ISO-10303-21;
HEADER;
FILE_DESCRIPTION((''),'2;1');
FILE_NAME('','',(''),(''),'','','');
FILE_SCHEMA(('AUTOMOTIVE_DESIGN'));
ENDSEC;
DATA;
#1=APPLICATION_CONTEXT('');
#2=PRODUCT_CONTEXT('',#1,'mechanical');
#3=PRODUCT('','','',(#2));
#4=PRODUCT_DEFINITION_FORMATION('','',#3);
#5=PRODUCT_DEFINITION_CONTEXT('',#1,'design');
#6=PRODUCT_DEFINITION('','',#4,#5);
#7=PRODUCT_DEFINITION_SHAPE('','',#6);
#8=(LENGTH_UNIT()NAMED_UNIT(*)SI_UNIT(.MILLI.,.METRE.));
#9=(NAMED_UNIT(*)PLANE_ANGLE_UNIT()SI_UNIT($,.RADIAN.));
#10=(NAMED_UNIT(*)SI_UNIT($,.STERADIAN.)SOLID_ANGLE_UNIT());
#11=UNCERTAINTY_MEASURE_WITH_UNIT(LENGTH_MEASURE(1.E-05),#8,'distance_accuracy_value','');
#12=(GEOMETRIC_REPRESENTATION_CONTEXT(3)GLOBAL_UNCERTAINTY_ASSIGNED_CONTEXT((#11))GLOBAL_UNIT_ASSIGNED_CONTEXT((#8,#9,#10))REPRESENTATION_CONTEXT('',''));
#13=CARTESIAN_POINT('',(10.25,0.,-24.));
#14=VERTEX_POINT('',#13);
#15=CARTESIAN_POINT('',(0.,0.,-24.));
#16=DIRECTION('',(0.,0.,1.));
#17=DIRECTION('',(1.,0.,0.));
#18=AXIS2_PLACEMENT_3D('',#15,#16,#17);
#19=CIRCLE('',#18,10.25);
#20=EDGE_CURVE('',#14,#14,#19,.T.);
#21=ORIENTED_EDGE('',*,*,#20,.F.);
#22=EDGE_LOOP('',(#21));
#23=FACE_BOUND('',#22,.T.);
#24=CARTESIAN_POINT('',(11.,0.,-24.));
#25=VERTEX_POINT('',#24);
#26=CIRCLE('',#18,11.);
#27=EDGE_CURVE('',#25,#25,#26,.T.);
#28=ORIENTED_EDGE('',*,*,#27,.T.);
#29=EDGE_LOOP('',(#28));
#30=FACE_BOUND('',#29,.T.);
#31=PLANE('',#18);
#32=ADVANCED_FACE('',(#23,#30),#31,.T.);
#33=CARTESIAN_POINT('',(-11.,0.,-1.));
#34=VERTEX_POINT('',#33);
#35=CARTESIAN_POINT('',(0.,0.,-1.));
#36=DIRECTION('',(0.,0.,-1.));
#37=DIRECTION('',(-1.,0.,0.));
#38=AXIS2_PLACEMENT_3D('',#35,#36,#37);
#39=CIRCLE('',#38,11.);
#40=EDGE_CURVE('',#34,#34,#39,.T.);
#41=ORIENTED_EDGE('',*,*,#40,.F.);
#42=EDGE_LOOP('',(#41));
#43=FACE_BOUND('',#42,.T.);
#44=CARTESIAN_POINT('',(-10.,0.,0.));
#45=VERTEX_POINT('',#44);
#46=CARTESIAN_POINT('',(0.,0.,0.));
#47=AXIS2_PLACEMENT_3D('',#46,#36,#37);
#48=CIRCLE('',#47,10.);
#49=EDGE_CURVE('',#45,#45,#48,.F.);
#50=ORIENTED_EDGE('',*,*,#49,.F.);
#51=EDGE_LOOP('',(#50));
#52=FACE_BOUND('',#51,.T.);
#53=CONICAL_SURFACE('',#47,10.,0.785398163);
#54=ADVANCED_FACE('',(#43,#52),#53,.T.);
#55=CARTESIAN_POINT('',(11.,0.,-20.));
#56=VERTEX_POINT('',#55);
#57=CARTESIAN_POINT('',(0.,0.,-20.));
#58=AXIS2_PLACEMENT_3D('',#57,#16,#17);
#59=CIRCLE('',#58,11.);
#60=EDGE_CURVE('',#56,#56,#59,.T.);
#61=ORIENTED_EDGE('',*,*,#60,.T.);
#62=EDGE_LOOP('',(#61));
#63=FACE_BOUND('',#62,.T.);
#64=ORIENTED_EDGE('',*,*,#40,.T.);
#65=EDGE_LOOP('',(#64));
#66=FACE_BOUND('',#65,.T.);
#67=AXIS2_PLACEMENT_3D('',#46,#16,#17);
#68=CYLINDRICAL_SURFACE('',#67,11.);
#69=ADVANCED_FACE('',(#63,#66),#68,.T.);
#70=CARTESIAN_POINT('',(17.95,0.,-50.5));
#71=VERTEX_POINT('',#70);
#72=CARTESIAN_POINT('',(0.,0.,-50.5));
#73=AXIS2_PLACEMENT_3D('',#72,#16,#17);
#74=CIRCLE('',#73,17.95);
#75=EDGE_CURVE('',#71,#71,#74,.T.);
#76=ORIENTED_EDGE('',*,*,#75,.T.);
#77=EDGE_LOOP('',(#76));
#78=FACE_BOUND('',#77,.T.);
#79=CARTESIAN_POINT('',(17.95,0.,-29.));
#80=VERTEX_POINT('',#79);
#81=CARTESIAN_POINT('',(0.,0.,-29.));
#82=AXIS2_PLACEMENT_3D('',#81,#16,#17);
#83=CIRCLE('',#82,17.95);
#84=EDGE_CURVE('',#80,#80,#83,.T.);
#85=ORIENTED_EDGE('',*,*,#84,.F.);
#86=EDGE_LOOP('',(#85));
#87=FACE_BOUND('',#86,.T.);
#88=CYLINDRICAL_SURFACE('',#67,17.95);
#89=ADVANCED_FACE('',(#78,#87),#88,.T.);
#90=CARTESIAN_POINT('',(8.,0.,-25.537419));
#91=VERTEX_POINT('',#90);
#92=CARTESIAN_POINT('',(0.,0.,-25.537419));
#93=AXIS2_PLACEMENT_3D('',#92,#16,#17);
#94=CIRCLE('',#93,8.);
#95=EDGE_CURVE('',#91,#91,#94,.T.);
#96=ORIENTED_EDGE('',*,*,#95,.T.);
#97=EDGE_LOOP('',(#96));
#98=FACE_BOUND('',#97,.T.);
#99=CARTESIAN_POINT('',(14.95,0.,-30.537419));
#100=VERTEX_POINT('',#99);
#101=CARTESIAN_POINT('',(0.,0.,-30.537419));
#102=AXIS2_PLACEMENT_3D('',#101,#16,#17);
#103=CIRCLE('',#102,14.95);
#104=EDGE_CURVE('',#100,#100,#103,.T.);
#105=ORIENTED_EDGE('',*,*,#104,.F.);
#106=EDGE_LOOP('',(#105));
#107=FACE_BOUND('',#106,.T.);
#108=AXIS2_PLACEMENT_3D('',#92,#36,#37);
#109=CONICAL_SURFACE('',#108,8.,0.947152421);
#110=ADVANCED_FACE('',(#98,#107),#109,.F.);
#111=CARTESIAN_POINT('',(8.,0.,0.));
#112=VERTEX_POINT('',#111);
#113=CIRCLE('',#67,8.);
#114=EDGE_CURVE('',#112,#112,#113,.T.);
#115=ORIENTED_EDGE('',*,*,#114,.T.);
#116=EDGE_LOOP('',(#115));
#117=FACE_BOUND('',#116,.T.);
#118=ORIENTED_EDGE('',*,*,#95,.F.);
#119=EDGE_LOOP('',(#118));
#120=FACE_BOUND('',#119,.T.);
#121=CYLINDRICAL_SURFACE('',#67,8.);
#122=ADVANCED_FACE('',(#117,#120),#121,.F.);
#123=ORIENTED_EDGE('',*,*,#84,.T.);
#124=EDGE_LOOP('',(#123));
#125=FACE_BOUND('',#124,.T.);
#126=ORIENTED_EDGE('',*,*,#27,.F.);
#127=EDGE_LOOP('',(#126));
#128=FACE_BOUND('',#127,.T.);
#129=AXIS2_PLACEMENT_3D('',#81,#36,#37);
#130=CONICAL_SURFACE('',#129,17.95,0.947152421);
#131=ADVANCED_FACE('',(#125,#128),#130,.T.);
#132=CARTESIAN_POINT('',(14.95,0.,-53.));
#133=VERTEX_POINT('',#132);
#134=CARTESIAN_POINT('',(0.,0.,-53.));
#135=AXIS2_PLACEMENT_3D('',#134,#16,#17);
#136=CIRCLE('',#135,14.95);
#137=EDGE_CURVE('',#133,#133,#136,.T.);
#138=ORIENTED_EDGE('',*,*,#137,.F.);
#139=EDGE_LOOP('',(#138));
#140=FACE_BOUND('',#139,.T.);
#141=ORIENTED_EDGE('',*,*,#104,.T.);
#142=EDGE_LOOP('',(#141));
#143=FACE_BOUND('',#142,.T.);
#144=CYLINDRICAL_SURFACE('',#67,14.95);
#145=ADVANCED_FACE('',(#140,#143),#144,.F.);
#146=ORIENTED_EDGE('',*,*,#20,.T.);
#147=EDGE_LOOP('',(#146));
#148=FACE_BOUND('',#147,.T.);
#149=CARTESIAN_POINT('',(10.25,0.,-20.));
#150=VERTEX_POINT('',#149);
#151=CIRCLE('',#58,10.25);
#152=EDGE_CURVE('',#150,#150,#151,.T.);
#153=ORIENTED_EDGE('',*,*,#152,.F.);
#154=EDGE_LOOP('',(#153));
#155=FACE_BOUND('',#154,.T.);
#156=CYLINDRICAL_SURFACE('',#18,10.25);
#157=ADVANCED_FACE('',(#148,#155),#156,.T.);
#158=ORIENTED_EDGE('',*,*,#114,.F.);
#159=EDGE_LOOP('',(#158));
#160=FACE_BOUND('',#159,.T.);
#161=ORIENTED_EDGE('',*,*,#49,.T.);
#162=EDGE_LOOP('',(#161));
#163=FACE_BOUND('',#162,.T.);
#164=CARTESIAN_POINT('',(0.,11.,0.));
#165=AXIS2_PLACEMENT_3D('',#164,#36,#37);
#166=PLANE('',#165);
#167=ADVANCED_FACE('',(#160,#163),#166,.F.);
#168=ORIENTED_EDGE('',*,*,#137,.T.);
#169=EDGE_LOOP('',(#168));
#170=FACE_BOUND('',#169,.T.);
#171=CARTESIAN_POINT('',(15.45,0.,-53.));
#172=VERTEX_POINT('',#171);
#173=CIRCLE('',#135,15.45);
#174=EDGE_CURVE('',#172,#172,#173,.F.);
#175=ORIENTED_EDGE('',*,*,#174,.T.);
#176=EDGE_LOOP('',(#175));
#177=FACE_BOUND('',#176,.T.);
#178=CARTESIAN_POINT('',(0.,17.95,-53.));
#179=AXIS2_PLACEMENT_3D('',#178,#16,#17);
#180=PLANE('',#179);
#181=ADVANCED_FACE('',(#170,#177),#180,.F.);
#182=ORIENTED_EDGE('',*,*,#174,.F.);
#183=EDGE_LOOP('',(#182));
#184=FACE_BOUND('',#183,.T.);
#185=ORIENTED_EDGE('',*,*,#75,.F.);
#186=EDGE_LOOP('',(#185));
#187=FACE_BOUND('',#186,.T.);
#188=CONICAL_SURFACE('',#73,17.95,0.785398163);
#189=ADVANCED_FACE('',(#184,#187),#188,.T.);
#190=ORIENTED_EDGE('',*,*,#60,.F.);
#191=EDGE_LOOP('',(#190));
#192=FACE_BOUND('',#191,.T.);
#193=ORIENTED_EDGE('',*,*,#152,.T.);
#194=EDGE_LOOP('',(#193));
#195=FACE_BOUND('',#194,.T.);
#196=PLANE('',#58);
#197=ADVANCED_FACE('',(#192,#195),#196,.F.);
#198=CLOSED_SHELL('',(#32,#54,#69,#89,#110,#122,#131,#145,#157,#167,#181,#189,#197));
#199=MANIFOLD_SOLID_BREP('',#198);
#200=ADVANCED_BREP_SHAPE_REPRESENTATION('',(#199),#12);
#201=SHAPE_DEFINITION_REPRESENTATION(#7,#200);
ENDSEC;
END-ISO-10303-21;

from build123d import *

# Parameters (mm, degrees)
CHAMFER1_SIZE      = 2.5
CUT_EXTRUDE1_START = -24
SKETCH3_R          = 11
SKETCH3_R_2        = 10.25
CUT_EXTRUDE1_DEPTH = 4
CHAMFER2_SIZE      = 1


with BuildPart() as part:
    # Sketch2 → Revolve1 (revolve)
    with BuildSketch(Plane(origin=(0, 0, 0), x_dir=(0, 0, -1), z_dir=(1, 0, 0))):
        Polygon((0, 11), (24, 11), (29, 17.95), (53, 17.95), (53, 14.95), (30.537419245, 14.95), (25.537419245, 8), (0, 8), align=None)
    revolve(axis=Axis((0, 0, 0), (0, 0, -1)))

    # Chamfer1
    chamfer1_edges = [part.edges().sort_by_distance(p)[0] for p in [
        (0, -17.95, -53),
    ]]
    chamfer(chamfer1_edges, length=CHAMFER1_SIZE)

    # Sketch3 → Cut-Extrude1 (cut)
    with BuildSketch(Plane.XY.offset(CUT_EXTRUDE1_START)):
        Circle(SKETCH3_R)
        Circle(SKETCH3_R_2, mode=Mode.SUBTRACT)
    extrude(amount=CUT_EXTRUDE1_DEPTH, mode=Mode.SUBTRACT)

    # Chamfer2
    chamfer2_edges = [part.edges().sort_by_distance(p)[0] for p in [
        (0, -11, 0),
    ]]
    chamfer(chamfer2_edges, length=CHAMFER2_SIZE)


solid = part.part
